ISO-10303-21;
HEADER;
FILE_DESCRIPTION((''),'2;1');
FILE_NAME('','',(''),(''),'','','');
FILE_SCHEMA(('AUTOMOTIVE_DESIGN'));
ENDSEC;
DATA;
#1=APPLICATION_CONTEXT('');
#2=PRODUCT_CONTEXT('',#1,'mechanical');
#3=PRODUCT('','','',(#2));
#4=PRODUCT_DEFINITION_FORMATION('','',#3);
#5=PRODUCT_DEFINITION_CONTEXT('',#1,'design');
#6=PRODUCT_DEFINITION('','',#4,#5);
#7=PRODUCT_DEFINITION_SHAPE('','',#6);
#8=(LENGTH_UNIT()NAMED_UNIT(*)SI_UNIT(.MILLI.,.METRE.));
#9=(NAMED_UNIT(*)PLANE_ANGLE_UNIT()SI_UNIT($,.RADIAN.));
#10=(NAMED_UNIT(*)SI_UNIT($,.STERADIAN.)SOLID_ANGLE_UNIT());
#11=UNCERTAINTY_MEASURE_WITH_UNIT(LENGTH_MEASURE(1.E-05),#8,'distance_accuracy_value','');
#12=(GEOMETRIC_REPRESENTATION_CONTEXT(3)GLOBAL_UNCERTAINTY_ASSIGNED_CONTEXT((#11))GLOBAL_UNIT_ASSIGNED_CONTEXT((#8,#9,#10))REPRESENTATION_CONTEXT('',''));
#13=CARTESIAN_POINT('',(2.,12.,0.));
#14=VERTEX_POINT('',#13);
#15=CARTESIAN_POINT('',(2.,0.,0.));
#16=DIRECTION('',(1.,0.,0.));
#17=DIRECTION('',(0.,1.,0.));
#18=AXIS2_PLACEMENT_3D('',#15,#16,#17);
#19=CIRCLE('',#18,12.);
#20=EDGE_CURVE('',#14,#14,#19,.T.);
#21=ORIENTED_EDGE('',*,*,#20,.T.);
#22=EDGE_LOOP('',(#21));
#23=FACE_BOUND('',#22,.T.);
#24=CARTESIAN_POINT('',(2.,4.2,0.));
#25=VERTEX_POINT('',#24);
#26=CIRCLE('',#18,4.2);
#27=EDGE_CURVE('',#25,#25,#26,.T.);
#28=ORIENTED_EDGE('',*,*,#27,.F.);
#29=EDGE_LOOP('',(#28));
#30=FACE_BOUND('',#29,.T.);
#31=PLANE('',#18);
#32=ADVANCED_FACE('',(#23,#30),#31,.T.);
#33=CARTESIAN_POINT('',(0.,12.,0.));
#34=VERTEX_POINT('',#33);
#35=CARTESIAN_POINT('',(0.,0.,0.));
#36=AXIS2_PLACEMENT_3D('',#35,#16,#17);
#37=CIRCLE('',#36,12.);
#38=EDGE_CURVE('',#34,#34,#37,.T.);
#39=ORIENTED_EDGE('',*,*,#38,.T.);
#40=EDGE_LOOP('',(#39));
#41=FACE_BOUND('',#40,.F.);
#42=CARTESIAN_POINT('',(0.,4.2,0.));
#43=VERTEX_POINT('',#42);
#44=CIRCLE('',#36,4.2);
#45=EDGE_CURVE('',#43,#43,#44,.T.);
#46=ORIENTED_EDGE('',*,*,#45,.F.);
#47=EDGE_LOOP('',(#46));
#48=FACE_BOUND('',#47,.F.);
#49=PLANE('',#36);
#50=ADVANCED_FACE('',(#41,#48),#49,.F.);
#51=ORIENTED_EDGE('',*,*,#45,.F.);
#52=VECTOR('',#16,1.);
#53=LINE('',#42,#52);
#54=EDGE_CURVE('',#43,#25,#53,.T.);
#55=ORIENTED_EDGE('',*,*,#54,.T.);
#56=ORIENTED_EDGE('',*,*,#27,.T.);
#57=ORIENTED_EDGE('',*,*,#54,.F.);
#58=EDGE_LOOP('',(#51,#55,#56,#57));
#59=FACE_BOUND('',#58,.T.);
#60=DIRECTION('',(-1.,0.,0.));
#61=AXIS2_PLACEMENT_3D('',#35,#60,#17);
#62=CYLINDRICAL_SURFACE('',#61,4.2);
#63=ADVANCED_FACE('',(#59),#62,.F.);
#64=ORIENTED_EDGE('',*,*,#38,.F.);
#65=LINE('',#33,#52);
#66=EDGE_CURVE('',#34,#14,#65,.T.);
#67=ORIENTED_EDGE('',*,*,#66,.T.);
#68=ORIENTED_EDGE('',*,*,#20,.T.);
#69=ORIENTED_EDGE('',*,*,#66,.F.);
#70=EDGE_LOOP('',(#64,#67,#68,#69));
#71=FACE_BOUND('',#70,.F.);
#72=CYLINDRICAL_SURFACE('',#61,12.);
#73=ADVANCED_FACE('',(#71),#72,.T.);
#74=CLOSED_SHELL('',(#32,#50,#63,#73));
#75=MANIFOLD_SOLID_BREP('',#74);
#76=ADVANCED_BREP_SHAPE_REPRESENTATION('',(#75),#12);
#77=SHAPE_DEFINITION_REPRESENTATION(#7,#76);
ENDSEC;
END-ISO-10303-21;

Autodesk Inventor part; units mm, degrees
ref_plane "YZ Plane" through (0, 0, 0) normal (1, 0, 0) x (0, 1, 0)
ref_plane "XZ Plane" through (0, 0, 0) normal (0, 1, 0) x (-1, 0, 0)
sketch "Sketch" plane through (0, 0, 0) normal (1, 0, 0) x (0, 1, 0)
  circle A0 centre (0, 0) radius 12
  circle A1 centre (0, 0) radius 4.2
  dimension "d0" = 8.4
  dimension "d1" = 24
extrude "Body" add sketch "Sketch" along normal blind 2
ref_plane "Work Plane1" through (0, 0, 0) normal (0, 0, 1) x (1, 0, 0)
equation "\"d0\" = SD1"
equation "\"d1\" = SD2"
equation "\"d2\" = SD"
equation "\"SD1\" = 8.4"
equation "\"SD2\" = 24"
equation "\"SD\" = 2"
equation "\"NND\" = 8"
properties part number "DIN 9021 - 8,4" material "Steel, Mild"
